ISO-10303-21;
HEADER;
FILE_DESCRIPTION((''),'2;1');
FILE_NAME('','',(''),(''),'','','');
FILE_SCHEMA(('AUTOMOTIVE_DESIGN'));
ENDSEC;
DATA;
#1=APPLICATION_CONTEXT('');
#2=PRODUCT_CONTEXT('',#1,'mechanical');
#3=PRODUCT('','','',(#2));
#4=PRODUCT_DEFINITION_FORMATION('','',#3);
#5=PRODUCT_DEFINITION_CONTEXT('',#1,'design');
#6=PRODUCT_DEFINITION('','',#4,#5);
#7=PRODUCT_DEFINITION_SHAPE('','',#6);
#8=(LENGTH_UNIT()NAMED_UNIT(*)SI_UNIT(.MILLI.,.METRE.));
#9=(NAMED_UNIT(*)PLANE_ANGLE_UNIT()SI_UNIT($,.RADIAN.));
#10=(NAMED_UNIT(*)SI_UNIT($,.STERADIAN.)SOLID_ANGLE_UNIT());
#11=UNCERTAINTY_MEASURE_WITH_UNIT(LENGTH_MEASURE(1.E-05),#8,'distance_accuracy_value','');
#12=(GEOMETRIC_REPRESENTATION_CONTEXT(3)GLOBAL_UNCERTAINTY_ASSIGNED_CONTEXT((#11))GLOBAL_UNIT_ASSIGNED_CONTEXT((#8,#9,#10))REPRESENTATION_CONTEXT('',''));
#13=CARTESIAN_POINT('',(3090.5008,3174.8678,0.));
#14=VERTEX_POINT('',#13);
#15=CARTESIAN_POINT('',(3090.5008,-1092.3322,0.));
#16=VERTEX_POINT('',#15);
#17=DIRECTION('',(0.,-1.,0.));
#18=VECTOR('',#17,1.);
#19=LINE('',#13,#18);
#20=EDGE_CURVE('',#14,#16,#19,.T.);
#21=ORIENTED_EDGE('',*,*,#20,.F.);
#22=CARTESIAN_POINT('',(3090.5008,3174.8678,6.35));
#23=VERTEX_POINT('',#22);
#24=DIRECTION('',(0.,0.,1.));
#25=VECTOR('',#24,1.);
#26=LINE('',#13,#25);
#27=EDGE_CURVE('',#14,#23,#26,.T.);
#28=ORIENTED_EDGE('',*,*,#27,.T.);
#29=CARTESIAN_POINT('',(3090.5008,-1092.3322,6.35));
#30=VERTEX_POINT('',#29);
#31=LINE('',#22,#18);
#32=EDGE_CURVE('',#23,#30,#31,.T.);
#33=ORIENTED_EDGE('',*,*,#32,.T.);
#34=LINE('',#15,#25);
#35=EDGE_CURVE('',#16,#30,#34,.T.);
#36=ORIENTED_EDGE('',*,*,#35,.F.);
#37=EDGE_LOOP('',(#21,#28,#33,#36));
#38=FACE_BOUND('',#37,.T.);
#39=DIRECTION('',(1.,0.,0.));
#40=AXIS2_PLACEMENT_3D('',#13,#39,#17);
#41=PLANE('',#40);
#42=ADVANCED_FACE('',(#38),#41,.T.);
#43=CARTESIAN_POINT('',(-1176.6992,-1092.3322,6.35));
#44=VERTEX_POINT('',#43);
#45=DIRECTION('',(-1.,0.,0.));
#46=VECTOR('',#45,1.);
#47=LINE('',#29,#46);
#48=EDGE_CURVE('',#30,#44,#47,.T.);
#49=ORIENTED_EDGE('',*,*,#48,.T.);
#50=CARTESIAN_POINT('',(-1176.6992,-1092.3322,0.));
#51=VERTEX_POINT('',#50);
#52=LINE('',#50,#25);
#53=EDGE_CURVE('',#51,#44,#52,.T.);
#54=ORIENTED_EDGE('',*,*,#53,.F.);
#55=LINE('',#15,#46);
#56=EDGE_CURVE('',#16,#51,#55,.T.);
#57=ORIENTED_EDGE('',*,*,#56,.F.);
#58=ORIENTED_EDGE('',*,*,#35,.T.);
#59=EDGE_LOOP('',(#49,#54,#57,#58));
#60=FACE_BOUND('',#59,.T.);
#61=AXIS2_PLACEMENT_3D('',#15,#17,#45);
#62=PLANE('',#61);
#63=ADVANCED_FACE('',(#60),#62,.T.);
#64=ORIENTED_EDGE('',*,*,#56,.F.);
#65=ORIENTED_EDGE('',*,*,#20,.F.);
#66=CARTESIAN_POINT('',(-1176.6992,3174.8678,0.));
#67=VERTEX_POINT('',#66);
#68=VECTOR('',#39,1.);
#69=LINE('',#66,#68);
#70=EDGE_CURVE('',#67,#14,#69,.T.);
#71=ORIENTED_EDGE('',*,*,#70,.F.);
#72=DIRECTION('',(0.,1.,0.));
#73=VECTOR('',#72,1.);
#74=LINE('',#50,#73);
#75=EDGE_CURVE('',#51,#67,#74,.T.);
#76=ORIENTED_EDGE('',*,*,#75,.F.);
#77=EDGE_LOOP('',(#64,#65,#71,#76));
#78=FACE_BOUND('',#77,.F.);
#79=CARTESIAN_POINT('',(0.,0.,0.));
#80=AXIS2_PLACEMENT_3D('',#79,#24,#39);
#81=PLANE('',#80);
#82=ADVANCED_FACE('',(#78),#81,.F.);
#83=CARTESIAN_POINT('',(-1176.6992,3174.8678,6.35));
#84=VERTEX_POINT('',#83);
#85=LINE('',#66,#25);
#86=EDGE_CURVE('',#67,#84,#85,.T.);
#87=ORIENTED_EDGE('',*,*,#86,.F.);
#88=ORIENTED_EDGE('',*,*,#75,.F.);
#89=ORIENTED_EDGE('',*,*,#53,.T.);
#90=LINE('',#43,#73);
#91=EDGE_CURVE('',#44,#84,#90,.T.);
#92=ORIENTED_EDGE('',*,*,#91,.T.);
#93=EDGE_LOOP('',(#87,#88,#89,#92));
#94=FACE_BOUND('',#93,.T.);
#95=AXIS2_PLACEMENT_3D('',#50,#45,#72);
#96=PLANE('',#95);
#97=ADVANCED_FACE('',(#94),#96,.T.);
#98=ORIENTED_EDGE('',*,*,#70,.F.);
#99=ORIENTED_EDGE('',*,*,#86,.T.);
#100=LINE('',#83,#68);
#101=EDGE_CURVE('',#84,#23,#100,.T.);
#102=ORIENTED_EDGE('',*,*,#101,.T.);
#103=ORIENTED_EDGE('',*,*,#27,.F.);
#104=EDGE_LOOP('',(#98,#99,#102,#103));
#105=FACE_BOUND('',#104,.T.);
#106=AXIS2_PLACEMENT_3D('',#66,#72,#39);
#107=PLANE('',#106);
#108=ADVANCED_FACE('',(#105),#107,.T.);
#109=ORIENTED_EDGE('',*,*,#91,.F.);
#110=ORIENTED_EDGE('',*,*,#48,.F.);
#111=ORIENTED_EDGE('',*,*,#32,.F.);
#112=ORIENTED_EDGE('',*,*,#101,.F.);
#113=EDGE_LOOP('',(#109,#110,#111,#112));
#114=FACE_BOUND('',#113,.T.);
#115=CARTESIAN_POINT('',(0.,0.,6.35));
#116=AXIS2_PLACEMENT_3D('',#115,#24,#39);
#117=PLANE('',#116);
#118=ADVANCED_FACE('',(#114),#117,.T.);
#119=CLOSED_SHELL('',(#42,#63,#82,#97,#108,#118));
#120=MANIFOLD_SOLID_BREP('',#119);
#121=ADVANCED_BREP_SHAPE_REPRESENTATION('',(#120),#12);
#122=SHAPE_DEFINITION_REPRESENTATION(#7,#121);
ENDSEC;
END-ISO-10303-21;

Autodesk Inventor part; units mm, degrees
ref_plane "YZ Plane" through (0, 0, 0) normal (1, 0, 0) x (0, 1, 0)
ref_plane "XZ Plane" through (0, 0, 0) normal (0, 1, 0) x (-1, 0, 0)
ref_plane "XY Plane" through (0, 0, 0) normal (0, 0, 1) x (1, 0, 0)
sketch "Sketch1" plane through (0, 0, 0) normal (0, 0, 1) x (1, 0, 0)
  line L0 (-1176.6992, 3174.8678) -> (3090.5008, 3174.8678)
  line L1 (3090.5008, 3174.8678) -> (3090.5008, -1092.3322)
  line L2 (3090.5008, -1092.3322) -> (-1176.6992, -1092.3322)
  line L3 (-1176.6992, -1092.3322) -> (-1176.6992, 3174.8678)
  point P0 (0, 0)
  dimension "d0" = 4267.2
  dimension "d1" = 4267.2
extrude "Carpet" add sketch "Sketch1" along normal blind 6.35
properties part number "Carpet"
